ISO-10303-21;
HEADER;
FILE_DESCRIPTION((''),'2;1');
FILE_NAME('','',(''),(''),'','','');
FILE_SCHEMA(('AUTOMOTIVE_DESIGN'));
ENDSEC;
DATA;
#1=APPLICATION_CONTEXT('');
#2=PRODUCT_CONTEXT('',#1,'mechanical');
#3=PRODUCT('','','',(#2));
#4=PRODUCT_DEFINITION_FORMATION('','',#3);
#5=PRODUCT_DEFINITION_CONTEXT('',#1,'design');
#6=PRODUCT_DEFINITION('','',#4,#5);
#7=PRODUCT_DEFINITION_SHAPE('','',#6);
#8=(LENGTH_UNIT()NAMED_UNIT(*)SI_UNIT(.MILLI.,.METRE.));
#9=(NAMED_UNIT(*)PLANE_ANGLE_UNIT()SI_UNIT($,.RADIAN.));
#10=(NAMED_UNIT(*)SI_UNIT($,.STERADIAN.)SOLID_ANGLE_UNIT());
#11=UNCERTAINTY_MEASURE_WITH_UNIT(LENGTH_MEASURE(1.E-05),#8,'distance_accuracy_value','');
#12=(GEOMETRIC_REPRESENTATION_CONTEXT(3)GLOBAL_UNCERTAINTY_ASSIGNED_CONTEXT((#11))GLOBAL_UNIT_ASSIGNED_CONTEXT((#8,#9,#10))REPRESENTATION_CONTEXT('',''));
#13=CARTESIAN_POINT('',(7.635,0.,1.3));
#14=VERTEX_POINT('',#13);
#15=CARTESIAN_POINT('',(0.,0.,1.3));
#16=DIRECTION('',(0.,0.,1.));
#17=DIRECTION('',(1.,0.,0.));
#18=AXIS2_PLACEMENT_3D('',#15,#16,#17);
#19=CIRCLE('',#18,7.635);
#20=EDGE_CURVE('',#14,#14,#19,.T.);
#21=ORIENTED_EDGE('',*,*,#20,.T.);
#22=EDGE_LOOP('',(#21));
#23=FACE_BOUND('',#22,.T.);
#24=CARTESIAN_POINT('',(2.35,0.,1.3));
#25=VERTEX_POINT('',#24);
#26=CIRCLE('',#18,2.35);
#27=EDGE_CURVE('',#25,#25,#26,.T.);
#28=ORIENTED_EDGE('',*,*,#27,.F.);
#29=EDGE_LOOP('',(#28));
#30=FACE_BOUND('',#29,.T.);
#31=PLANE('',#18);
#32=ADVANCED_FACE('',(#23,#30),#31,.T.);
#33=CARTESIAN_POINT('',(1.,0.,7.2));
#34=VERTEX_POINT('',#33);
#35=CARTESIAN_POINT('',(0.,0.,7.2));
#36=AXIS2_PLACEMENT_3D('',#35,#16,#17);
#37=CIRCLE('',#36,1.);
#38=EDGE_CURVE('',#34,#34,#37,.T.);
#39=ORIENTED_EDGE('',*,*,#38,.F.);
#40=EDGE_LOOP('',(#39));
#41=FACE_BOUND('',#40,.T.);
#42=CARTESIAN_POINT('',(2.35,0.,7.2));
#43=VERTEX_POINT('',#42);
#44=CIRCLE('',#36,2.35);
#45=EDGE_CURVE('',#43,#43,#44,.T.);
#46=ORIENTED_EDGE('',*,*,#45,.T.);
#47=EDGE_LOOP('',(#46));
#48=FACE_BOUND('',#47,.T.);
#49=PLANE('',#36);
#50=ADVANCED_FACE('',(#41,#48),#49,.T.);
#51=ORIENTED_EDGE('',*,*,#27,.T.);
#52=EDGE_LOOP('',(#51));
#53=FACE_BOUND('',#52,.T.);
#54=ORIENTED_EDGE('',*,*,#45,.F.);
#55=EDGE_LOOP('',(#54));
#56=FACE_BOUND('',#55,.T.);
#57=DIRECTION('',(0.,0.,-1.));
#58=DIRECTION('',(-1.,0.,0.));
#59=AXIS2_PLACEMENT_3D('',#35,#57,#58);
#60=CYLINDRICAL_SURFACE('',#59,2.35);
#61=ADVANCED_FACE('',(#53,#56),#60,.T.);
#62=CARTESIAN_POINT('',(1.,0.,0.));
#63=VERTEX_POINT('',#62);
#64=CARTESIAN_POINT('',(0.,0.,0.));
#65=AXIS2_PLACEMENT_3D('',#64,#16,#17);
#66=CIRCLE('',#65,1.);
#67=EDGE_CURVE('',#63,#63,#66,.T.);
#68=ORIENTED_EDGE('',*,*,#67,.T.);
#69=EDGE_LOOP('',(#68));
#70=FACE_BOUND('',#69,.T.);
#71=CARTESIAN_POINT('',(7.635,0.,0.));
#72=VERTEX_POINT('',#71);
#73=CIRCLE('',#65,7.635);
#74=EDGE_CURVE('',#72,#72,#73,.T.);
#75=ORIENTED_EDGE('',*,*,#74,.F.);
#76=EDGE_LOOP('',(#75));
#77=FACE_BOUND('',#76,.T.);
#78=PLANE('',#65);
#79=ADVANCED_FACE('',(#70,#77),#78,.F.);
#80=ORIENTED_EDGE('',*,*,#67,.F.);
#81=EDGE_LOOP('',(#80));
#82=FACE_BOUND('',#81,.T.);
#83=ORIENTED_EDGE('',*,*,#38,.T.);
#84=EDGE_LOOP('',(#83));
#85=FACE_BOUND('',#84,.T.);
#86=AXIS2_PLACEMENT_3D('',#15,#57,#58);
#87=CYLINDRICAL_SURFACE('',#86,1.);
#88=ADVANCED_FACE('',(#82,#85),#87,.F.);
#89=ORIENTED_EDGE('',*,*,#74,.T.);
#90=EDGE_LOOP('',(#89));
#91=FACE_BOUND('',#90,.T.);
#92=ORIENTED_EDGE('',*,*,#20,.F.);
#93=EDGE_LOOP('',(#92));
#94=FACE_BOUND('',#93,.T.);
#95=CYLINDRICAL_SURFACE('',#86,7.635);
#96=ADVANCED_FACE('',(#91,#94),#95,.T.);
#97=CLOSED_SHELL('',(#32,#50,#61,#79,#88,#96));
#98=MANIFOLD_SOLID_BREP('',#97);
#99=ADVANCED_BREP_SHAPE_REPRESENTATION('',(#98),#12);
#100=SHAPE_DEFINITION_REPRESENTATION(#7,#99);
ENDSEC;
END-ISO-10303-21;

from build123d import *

# Parameters (mm, degrees)
SKETCH_1_R      = 7.635
SKETCH_1_R_2    = 1
EXTRUDE_1_DEPTH = 1.3
SKETCH_2_R      = 2.35
SKETCH_2_R_2    = 1
EXTRUDE_2_DEPTH = 5.9


with BuildPart() as part:
    # 草图1 → 凸台-拉伸1 (new body)
    with BuildSketch(Plane.XY):
        Circle(SKETCH_1_R)
        Circle(SKETCH_1_R_2, mode=Mode.SUBTRACT)
    extrude(amount=EXTRUDE_1_DEPTH)

    # 草图2 → 凸台-拉伸2 (add)
    with BuildSketch(Plane.XY.offset(1.3)):
        Circle(SKETCH_2_R)
        Circle(SKETCH_2_R_2, mode=Mode.SUBTRACT)
    extrude(amount=EXTRUDE_2_DEPTH)


solid = part.part
